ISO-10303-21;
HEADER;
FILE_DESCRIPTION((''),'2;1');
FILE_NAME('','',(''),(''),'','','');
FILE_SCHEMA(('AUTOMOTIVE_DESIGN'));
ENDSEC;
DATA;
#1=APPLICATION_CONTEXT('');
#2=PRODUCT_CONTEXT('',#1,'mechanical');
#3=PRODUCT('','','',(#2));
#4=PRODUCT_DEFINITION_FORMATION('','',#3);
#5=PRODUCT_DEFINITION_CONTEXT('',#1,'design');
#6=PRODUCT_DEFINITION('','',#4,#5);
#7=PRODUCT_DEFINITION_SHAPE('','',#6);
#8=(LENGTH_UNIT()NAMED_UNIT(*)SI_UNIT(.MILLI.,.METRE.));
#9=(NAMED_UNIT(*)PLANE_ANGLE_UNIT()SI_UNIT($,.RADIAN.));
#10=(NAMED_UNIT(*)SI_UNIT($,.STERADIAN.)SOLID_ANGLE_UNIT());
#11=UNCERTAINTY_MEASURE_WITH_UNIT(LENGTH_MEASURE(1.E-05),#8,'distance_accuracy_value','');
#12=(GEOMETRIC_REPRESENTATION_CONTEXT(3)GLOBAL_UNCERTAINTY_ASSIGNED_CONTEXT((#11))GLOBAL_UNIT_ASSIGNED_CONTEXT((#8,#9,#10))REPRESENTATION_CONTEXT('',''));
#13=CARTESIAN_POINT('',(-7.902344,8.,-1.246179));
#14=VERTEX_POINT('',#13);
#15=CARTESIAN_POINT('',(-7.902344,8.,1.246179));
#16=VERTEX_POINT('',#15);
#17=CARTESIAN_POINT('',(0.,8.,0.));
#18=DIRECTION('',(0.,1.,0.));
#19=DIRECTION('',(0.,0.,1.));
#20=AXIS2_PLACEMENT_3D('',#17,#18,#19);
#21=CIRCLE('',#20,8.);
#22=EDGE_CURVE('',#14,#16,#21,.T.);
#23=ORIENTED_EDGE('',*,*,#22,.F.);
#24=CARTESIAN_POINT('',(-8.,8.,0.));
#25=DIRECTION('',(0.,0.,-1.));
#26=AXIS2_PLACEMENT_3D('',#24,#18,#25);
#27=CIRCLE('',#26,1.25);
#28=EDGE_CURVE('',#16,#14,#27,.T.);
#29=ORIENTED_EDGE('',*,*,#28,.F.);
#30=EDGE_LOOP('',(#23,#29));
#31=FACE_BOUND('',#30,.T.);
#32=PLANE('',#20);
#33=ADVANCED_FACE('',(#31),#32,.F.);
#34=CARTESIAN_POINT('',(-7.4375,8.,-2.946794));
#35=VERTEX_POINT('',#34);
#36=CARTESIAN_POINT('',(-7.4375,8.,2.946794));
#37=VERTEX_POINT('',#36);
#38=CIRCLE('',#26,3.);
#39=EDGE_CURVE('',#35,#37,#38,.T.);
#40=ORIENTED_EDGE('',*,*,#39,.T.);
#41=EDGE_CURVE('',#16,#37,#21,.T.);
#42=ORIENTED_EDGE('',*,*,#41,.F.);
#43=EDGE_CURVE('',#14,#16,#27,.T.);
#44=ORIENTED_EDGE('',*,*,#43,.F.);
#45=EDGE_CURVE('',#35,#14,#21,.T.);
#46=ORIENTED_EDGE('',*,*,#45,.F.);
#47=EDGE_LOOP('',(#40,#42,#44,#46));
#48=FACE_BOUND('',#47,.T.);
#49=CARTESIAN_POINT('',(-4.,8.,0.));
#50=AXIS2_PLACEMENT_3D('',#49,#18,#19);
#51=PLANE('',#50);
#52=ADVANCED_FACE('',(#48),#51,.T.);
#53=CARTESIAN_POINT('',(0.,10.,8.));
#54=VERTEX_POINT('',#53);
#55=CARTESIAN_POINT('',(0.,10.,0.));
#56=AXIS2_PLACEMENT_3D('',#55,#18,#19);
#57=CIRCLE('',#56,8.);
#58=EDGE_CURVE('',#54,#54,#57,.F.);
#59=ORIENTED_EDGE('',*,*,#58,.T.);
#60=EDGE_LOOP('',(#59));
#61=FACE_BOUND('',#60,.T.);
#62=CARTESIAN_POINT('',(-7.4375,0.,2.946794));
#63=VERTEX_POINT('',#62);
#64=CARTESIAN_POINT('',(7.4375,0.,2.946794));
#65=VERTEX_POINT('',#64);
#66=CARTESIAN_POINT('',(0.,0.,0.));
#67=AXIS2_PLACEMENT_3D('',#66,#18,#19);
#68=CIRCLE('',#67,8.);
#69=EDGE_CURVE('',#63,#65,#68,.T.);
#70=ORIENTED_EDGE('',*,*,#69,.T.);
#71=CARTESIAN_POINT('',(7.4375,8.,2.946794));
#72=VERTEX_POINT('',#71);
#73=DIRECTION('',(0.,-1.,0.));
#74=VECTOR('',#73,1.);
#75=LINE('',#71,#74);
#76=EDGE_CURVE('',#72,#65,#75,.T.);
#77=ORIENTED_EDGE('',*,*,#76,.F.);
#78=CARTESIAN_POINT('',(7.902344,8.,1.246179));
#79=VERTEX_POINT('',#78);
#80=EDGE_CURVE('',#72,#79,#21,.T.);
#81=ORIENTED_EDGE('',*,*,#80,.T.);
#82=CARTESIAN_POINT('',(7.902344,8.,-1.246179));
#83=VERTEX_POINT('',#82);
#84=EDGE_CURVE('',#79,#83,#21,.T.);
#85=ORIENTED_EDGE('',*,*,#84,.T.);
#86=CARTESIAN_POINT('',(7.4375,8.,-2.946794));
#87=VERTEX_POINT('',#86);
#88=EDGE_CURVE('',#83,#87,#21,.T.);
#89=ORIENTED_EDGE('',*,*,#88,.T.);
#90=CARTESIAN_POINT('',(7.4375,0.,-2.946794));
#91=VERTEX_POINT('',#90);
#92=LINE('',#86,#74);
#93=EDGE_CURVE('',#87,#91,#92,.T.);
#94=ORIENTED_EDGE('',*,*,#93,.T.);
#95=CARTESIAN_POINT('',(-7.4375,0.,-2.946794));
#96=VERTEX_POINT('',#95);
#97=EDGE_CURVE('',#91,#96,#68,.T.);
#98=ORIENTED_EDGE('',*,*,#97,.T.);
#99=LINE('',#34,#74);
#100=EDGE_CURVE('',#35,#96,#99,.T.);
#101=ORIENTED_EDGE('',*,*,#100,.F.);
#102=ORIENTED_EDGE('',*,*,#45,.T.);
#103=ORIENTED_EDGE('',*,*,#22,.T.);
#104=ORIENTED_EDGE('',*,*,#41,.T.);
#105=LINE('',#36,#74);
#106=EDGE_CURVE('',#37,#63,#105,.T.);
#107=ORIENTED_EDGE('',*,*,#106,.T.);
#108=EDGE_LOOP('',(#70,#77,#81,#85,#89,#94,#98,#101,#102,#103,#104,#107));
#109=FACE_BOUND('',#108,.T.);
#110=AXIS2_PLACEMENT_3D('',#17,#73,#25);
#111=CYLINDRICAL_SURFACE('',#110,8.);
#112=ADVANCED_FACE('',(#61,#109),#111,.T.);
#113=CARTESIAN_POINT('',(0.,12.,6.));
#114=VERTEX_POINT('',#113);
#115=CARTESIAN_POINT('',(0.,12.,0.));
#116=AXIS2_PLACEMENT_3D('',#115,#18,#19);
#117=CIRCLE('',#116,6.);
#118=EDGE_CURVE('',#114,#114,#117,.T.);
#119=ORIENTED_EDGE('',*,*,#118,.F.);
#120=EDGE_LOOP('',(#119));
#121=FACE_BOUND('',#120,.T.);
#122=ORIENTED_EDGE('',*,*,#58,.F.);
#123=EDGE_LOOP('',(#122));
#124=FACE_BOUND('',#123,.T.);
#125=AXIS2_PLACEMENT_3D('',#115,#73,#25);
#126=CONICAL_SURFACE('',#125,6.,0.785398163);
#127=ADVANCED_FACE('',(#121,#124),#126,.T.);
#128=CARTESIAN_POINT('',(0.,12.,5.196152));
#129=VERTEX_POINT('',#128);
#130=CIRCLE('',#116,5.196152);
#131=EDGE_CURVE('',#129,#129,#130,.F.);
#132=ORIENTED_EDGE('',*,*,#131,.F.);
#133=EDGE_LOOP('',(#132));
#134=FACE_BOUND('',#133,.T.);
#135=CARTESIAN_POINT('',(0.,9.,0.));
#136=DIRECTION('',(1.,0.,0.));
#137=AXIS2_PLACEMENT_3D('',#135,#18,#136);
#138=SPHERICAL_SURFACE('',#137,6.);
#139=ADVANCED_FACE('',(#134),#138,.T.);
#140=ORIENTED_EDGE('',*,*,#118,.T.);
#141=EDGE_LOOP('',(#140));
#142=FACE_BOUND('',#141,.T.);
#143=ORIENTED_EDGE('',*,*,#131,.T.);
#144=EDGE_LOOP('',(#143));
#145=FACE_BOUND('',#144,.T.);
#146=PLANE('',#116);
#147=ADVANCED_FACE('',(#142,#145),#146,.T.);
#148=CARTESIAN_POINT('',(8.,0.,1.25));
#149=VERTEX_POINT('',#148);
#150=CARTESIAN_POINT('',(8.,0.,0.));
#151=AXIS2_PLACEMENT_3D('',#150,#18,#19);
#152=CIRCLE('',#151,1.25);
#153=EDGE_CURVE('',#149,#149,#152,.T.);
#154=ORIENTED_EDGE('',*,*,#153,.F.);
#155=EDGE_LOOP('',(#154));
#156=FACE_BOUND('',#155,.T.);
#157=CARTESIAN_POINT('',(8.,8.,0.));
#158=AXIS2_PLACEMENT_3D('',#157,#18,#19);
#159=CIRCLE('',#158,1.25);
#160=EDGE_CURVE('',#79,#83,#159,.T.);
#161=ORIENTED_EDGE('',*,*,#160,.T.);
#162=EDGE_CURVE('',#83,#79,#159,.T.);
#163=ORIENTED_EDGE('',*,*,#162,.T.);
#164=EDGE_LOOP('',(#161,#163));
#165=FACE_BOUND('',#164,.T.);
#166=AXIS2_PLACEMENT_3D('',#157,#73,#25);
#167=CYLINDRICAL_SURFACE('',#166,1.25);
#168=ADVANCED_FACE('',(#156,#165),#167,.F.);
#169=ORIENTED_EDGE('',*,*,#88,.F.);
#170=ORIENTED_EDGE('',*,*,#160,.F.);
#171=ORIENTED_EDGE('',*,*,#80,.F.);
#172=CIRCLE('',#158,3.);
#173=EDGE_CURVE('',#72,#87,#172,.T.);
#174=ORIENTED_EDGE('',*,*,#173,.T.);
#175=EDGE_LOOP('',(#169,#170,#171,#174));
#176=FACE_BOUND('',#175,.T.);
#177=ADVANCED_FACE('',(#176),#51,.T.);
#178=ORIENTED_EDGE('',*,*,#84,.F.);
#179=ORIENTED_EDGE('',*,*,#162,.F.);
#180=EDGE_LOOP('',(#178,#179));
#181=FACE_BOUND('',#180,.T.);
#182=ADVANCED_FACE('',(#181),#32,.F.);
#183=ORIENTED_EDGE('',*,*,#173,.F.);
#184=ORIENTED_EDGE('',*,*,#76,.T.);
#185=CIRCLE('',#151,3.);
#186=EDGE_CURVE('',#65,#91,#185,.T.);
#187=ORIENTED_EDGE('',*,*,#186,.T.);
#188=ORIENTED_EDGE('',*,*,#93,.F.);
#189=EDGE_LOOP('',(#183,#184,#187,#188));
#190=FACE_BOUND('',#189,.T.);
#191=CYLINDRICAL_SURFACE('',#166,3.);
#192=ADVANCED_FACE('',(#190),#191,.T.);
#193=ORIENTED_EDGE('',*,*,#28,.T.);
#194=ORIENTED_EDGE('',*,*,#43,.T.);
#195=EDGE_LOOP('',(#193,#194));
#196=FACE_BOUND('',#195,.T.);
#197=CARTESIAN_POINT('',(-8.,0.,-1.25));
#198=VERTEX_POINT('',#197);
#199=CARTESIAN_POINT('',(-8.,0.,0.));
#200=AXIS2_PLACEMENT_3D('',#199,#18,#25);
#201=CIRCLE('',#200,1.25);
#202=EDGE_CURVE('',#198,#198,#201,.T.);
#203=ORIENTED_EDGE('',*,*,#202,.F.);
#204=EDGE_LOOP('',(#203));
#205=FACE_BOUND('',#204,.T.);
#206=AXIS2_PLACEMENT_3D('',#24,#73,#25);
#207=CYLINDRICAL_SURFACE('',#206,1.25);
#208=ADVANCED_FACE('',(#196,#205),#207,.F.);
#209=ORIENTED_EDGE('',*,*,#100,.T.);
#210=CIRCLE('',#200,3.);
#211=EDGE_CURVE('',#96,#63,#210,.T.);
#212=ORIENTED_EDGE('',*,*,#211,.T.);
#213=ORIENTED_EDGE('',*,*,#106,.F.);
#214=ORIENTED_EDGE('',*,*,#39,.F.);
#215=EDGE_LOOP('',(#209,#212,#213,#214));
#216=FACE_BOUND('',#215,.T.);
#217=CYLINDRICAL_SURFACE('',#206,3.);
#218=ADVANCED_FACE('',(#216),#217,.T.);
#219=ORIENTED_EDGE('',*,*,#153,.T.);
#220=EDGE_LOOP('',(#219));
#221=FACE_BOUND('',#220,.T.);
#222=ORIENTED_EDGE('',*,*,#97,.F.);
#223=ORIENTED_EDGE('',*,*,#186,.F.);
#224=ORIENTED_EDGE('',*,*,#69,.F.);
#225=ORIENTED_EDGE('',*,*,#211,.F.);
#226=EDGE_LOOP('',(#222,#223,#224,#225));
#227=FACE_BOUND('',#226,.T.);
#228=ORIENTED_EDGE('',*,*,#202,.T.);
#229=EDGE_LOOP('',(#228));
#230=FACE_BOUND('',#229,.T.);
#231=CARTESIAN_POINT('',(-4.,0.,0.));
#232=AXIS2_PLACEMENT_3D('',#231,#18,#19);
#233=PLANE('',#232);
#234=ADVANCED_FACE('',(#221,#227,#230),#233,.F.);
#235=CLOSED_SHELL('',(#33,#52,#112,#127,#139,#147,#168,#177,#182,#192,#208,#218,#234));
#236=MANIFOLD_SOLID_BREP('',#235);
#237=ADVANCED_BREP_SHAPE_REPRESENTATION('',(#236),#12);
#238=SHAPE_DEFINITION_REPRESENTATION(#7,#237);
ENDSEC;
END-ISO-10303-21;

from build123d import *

# Parameters (mm, degrees)
SKETCH1_R           = 1.25
BOSS_EXTRUDE1_DEPTH = 8
SKETCH2_R           = 8
BOSS_EXTRUDE2_DEPTH = 4
CHAMFER1_SIZE       = 2


with BuildPart() as part:
    # Sketch1 → Boss-Extrude1 (new body)
    with BuildSketch(Plane(origin=(0, 0, 0), x_dir=(1, 0, 0), z_dir=(0, 1, 0))):
        with BuildLine():
            ThreePointArc((7.4375, -2.946793809), (11, 0), (7.4375, 2.946793809))
            ThreePointArc((7.4375, 2.946793809), (0, 8), (-7.4375, 2.946793809))
            ThreePointArc((-7.4375, 2.946793809), (-11, 0), (-7.4375, -2.946793809))
            ThreePointArc((-7.4375, -2.946793809), (0, -8), (7.4375, -2.946793809))
        make_face()
        with Locations((8, 0)):
            Circle(SKETCH1_R, mode=Mode.SUBTRACT)
        with Locations((-8, 0)):
            Circle(SKETCH1_R, mode=Mode.SUBTRACT)
    extrude(amount=BOSS_EXTRUDE1_DEPTH)

    # Sketch2 → Boss-Extrude2 (add)
    with BuildSketch(Plane(origin=(0, 8, 0), x_dir=(1, 0, 0), z_dir=(0, 1, 0))):
        Circle(SKETCH2_R)
    extrude(amount=BOSS_EXTRUDE2_DEPTH)

    # Chamfer1
    chamfer1_edges = [part.edges().sort_by_distance(p)[0] for p in [
        (-8, 12, 0),
    ]]
    chamfer(chamfer1_edges, length=CHAMFER1_SIZE)

    # Sketch3 → Revolve2 (revolve)
    with BuildSketch(Plane.XY):
        with BuildLine():
            Line((0, 15), (0, 3))
            ThreePointArc((0, 3), (6, 9), (0, 15))
        make_face()
    revolve(axis=Axis((0, 12, 0), (0, -1, 0)))


solid = part.part
